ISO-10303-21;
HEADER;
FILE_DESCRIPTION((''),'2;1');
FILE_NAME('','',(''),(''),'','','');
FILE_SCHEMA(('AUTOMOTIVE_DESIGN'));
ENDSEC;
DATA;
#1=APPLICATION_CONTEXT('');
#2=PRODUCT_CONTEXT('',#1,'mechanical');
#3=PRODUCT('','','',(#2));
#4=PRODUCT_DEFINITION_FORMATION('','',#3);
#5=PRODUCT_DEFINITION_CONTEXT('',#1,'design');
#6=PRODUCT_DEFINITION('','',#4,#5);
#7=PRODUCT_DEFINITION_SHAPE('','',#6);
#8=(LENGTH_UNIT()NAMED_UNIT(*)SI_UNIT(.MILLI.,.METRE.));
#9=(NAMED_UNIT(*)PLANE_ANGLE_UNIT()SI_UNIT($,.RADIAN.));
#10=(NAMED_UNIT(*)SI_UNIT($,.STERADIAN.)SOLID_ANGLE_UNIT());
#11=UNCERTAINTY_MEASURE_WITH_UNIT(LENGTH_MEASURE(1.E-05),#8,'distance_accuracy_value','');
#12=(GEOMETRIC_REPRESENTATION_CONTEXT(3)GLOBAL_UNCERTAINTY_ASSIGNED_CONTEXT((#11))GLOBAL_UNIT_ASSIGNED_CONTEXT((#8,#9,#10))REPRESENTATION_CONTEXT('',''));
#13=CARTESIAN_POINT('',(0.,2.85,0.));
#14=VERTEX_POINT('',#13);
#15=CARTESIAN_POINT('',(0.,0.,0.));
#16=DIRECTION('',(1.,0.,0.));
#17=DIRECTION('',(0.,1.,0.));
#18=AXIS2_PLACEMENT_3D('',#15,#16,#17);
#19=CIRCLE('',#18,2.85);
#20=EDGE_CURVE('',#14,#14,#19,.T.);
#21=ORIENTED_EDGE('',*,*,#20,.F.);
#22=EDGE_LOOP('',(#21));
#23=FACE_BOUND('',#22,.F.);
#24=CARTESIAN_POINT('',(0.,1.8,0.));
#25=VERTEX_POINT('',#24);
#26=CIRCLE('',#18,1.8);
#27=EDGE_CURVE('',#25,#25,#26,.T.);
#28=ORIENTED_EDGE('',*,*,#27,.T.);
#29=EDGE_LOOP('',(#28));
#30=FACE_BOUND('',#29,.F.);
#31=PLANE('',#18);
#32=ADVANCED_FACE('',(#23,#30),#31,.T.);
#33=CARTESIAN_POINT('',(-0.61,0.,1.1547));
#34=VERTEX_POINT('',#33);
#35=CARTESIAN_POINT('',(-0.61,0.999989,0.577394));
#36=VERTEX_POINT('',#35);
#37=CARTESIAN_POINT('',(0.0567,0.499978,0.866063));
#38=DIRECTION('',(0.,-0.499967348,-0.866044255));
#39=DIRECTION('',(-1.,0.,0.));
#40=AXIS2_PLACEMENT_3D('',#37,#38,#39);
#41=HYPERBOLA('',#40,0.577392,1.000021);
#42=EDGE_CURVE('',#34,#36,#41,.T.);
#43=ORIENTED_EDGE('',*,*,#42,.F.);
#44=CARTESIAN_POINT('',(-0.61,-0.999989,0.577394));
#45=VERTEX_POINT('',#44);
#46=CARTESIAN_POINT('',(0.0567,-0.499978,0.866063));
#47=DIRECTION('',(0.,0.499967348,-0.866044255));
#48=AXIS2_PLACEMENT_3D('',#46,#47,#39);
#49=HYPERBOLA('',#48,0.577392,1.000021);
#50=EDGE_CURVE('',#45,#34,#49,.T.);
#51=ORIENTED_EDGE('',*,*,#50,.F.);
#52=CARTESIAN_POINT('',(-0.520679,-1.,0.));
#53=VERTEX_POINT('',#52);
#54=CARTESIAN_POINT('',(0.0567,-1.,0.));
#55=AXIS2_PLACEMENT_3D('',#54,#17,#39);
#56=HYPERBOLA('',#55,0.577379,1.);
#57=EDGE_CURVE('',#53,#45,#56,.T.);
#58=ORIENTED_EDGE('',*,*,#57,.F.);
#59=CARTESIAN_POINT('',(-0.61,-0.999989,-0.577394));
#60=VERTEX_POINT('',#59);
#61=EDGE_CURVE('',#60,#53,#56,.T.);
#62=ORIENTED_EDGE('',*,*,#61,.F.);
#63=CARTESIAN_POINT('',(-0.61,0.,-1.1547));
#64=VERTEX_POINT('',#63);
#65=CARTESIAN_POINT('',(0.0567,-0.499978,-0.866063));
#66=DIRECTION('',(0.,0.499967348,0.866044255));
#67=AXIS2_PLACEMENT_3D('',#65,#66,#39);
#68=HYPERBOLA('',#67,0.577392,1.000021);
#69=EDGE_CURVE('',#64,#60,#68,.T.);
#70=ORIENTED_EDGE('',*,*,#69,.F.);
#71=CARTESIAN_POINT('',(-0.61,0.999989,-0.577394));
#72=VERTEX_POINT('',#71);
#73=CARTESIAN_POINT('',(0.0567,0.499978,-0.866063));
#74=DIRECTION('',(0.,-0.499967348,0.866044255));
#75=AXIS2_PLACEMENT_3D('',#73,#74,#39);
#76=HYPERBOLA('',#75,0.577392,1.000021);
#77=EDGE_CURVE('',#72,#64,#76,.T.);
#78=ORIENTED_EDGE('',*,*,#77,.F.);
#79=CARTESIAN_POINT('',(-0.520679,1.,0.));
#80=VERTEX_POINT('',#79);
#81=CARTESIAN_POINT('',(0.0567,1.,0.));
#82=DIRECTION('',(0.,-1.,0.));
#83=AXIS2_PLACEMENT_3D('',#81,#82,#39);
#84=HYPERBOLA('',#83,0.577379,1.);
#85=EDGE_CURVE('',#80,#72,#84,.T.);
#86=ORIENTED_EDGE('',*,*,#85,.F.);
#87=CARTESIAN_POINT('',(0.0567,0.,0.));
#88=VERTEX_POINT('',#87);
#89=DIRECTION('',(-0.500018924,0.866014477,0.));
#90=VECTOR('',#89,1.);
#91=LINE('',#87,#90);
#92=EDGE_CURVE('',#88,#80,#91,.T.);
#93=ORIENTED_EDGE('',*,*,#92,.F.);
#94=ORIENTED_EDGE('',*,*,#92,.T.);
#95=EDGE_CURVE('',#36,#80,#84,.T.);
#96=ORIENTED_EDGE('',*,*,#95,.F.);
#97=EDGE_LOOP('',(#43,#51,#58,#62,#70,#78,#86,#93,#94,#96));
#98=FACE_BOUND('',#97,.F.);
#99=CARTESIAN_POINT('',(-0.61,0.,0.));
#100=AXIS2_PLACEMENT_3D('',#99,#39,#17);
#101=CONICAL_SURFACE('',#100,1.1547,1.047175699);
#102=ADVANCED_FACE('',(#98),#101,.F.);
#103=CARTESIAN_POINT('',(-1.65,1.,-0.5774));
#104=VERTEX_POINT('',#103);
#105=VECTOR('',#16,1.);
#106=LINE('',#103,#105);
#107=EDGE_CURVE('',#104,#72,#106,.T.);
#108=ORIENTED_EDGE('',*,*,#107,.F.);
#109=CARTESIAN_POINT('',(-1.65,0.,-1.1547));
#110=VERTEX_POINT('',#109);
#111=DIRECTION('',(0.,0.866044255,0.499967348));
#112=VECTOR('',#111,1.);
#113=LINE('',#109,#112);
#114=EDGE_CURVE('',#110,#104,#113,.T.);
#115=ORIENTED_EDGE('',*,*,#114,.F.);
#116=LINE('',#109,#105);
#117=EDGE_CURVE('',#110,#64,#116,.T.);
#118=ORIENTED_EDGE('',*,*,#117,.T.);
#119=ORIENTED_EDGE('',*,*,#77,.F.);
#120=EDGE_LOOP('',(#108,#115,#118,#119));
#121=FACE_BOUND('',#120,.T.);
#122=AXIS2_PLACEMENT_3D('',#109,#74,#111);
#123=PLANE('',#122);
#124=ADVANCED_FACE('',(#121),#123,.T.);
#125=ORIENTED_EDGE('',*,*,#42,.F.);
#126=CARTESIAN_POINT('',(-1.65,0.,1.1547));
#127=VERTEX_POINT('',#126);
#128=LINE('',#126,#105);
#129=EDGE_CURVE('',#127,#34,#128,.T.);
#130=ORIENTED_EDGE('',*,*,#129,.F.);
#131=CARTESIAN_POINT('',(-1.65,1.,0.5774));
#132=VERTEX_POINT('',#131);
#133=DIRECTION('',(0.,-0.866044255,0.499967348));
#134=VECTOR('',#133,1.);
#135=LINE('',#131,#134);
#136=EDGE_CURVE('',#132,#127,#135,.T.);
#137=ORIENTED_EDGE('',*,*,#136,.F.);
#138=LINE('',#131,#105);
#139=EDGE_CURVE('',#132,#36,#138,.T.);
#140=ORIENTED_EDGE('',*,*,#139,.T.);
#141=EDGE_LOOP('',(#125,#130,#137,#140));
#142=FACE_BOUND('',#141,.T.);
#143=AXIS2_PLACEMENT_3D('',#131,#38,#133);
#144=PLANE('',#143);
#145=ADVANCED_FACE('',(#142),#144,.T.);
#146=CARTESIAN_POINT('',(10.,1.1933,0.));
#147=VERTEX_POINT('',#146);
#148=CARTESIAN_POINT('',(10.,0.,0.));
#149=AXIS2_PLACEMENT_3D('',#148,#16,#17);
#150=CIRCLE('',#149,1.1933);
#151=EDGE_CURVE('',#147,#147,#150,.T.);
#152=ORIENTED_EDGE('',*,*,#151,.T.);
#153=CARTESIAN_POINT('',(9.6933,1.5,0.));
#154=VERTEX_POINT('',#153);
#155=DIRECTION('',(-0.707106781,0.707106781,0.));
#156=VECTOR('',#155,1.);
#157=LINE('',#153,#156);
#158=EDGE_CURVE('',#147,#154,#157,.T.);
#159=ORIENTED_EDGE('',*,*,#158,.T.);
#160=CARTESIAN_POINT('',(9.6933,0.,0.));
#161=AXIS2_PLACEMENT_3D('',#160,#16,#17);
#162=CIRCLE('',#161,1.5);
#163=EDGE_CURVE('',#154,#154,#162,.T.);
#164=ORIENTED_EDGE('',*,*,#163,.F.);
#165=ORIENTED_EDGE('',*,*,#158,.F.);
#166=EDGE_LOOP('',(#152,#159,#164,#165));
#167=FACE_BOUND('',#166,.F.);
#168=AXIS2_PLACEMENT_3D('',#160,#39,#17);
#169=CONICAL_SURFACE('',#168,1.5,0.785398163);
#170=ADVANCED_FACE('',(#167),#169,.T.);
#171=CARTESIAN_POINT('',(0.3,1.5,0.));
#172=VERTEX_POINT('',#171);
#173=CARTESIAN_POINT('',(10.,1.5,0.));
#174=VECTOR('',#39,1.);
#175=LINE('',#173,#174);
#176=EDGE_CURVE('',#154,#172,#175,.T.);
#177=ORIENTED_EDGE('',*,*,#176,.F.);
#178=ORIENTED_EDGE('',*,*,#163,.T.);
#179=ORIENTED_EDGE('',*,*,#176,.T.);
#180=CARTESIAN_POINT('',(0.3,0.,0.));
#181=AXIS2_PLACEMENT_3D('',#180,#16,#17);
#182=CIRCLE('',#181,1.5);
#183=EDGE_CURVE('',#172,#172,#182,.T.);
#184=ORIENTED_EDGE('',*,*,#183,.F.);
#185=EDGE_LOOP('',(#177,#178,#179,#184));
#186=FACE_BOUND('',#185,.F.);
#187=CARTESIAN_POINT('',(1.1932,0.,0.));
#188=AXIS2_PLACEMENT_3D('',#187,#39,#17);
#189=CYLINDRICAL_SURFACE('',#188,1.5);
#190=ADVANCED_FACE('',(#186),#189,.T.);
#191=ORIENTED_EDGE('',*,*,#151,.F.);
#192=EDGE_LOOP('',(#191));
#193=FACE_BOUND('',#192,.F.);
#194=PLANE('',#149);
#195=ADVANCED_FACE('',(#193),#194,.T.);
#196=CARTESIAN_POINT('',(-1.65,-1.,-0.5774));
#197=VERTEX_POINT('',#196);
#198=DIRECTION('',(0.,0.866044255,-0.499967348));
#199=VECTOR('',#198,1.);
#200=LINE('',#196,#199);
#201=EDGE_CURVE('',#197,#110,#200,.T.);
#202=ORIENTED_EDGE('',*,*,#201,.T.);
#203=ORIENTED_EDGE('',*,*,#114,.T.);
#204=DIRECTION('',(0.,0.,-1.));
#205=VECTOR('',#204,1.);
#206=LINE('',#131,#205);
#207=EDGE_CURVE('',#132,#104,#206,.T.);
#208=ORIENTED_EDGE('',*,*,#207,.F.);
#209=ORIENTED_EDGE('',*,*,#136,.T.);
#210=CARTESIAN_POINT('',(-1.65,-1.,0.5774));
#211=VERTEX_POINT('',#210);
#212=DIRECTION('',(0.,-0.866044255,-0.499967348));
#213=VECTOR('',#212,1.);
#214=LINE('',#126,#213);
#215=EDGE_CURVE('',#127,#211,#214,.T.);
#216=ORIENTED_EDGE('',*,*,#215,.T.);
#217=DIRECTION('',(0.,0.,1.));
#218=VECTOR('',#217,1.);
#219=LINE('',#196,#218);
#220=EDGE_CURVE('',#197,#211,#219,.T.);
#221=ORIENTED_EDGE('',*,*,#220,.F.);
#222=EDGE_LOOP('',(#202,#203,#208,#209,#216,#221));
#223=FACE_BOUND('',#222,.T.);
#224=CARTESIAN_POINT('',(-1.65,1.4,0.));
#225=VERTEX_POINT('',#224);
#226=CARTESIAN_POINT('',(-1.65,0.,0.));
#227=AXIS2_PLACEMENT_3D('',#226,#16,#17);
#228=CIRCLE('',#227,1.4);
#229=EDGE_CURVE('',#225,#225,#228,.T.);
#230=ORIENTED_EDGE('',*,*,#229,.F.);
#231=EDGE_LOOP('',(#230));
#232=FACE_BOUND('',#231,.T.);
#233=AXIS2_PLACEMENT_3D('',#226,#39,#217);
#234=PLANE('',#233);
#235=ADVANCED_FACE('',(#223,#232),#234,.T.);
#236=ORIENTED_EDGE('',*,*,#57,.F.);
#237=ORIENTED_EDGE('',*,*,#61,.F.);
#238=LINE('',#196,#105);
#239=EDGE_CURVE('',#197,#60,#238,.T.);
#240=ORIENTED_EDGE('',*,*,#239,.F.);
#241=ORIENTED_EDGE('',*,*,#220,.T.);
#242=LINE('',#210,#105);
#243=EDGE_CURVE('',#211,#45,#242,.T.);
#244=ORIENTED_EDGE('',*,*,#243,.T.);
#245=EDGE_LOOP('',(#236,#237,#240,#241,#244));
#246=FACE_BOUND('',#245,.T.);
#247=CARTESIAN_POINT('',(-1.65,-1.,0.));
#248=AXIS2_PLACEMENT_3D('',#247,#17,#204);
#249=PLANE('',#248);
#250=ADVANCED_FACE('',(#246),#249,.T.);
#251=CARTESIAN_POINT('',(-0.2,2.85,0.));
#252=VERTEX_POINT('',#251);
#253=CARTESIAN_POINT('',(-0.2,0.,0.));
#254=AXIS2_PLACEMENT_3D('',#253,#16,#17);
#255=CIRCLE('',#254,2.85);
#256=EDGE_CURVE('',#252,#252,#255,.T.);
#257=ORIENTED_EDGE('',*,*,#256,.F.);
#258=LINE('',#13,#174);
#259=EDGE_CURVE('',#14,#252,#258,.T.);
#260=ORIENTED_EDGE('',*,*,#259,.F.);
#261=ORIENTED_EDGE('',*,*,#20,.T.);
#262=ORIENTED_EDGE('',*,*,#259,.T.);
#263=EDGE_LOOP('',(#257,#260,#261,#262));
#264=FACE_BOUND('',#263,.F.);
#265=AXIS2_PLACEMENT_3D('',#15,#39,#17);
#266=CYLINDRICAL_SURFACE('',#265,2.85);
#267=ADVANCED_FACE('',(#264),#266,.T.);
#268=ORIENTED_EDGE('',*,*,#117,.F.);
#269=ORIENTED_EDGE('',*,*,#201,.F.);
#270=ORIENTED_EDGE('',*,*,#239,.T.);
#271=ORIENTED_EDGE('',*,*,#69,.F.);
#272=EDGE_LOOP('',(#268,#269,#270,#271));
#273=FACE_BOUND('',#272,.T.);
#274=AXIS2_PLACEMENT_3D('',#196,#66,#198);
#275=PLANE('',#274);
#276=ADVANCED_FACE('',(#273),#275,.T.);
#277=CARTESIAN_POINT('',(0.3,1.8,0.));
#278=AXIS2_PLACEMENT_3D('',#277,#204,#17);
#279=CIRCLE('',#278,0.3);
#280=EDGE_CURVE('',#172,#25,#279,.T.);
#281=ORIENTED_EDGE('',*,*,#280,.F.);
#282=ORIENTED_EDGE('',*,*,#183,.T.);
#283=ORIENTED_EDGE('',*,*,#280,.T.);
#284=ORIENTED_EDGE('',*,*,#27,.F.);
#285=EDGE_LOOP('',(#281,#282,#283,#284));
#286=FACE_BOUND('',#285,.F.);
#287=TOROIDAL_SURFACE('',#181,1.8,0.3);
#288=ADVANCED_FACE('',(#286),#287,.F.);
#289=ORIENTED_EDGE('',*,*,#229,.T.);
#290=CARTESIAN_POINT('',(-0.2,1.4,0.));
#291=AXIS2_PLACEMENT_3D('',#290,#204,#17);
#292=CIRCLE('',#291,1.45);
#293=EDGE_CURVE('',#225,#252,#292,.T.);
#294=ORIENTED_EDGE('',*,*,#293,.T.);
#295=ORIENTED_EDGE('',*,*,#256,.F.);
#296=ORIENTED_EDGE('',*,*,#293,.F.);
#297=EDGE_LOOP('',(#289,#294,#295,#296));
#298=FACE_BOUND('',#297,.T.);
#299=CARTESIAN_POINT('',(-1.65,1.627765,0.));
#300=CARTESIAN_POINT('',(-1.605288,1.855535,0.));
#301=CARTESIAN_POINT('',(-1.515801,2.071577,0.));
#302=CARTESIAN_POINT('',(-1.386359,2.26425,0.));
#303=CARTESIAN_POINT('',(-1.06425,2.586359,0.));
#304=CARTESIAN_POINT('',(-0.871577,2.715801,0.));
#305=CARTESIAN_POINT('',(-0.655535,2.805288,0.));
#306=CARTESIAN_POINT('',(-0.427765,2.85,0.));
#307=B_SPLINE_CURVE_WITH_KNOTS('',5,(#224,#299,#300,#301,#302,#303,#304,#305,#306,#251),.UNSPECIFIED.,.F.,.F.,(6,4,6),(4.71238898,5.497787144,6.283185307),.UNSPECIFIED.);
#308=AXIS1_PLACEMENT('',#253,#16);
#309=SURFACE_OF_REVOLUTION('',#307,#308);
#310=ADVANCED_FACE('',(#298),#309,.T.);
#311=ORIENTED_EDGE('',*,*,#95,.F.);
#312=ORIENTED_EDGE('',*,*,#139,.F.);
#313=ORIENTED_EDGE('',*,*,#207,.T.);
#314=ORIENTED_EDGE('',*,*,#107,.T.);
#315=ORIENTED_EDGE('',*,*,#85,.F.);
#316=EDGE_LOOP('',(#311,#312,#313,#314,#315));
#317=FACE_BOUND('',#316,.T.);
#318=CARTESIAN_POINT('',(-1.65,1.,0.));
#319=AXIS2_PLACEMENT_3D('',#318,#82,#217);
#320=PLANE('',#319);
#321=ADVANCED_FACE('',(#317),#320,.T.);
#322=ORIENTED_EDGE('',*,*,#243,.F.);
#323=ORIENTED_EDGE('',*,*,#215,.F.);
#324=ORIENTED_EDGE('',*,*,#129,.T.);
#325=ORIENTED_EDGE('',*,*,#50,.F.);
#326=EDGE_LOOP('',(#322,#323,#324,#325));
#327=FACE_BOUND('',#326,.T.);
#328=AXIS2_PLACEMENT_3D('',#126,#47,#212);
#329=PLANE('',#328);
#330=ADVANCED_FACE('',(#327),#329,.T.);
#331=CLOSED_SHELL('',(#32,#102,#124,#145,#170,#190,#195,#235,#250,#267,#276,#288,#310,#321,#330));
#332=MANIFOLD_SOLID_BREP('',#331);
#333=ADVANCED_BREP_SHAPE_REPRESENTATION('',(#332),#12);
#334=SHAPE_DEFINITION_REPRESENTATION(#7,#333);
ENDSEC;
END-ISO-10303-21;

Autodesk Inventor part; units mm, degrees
ref_plane "YZ Plane" through (0, 0, 0) normal (1, 0, 0) x (0, 1, 0)
ref_plane "XZ Plane" through (0, 0, 0) normal (0, 1, 0) x (-1, 0, 0)
sketch "Sketch1" plane through (0, 0, 0) normal (0, 0, 1) x (1, 0, 0)
  line L0 (0.0567, 0) -> (10, 0)
  line L1 (10, 0) -> (10, 1.5)
  line L2 (10, 1.5) -> (1.5, 1.5)
  line L3 (1.5, 1.5) -> (1.1932, 1.5)
  line L4 (1.1932, 1.5) -> (0, 1.5)
  line L5 (0, 1.5) -> (0, 2.85)
  line L6 (0, 2.85) -> (-1.65, 2.85)
  line L7 (-1.65, 2.85) -> (-1.65, 1.1547)
  line L8 (-1.65, 1.1547) -> (-0.61, 1.1547)
  line L9 (-0.61, 1.1547) -> (0.0567, 0)
  line L10 (-3.98, 0) -> (12.33, 0) projected
  line L11 (0, -0.57) -> (0, 3.42) projected
  line L12 (1.5, 1.5) -> (0, 1.5) construction
  dimension "d1" = 8.5
  dimension "d2" = 0.3068
  dimension "d3" = 1.65
  dimension "d4" = 1.04
  dimension "d5" = 60
  dimension "d6" = 3
  dimension "d7" = 3
  dimension "d8" = 2.3094
  dimension "d9" = 5.7
  dimension "d26" = 10
revolve "Body" add sketch "Sketch1" angle 360 about axis through (0.0567, 0, 0) along (1, 0, 0) contours L9 L11 L4 L3 L2 L1 L0 | L9 L8 L7 L6 L5 L11
sketch "Sketch2" plane through (-1.65, 0, 0) normal (-1, 0, 0) x (0, 0, 1)
  circle A0 centre (0, 0) radius 1.1547 projected
  line L0 (0, -3.99) -> (0, 3.99) projected
  line L1 (-3.99, 0) -> (3.99, 0) projected
  line L2 (1.1547, 0) -> (0.5774, -1)
  line L3 (0.5774, -1) -> (-0.5774, -1)
  line L4 (-0.5774, -1) -> (-1.1547, 0)
  line L5 (-1.1547, 0) -> (-0.5774, 1)
  line L6 (-0.5774, 1) -> (0.5774, 1)
  line L7 (0.5774, 1) -> (1.1547, 0)
extrude "Slot" add sketch "Sketch2" against normal up to next contours L7 A0 | A0 L2 | L6 L0 A0 | A0 L0 L3 | L0 L6 A0 | A0 L3 L0 | L4 A0 | A0 L5
fillet "Fillet1" radius 1.45 1 edges at (-1.65, -2.85, 0)
thread "Thread" size "M3x0.5" class "6g" standard "ISO Metric profile" length 8.5
chamfer "Chamfer1" distance 0.3067 distance2 0.3067 1 edges at (10, -1.5, 0) measured on face at (10, -0.6587, -0.1791)
ref_plane "Work Plane1" through (29, 0, 0) normal (0, -1, 0) x (1, 0, 0)
fillet "Fillet2" radius 0.3 1 edges at (0, -1.5, 0)
equation "\"d1\" = GEL"
equation "\"d3\" = KOH"
equation "\"d4\" = INTI"
equation "\"d6\" = GD"
equation "\"d7\" = BDM"
equation "\"d8\" = 1.1547 * SW"
equation "\"d9\" = KOD"
equation "\"d26\" = NLG"
equation "\"d30\" = R"
equation "\"d17\" = RR"
equation "\"d13\" = GEL"
equation "\"d15\" = -0.5 * SPD + 0.5 * GD"
equation "\"d16\" = GUL"
equation "\"GD\" = NND"
equation "\"NLG\" = 10"
equation "\"GEL\" = 8.5"
equation "\"KOD\" = 5.7"
equation "\"KOH\" = 1.65"
equation "\"INTI\" = 1.04"
equation "\"GAL\" = 0.61345 * PTC"
equation "\"GUL\" = 0.61345 * PTC"
equation "\"BDM\" = NND"
equation "\"SW\" = 2"
equation "\"RR\" = 1.45"
equation "\"SPD\" = NND - 1.2269 * PTC"
equation "\"R\" = 0.3"
equation "\"TOA\" = 30deg"
equation "\"GD1\" = THREADDIA - 1.2269 * PTC"
equation "\"THREADDIA\" = 3"
equation "\"PTC\" = 0.5"
equation "\"NND\" = 3"
equation "\"KOH1\" = 0.2"
equation "\"E0\" = 2.303"
properties part number "ISO 7380-1 - M3 x 10" material "Steel"
